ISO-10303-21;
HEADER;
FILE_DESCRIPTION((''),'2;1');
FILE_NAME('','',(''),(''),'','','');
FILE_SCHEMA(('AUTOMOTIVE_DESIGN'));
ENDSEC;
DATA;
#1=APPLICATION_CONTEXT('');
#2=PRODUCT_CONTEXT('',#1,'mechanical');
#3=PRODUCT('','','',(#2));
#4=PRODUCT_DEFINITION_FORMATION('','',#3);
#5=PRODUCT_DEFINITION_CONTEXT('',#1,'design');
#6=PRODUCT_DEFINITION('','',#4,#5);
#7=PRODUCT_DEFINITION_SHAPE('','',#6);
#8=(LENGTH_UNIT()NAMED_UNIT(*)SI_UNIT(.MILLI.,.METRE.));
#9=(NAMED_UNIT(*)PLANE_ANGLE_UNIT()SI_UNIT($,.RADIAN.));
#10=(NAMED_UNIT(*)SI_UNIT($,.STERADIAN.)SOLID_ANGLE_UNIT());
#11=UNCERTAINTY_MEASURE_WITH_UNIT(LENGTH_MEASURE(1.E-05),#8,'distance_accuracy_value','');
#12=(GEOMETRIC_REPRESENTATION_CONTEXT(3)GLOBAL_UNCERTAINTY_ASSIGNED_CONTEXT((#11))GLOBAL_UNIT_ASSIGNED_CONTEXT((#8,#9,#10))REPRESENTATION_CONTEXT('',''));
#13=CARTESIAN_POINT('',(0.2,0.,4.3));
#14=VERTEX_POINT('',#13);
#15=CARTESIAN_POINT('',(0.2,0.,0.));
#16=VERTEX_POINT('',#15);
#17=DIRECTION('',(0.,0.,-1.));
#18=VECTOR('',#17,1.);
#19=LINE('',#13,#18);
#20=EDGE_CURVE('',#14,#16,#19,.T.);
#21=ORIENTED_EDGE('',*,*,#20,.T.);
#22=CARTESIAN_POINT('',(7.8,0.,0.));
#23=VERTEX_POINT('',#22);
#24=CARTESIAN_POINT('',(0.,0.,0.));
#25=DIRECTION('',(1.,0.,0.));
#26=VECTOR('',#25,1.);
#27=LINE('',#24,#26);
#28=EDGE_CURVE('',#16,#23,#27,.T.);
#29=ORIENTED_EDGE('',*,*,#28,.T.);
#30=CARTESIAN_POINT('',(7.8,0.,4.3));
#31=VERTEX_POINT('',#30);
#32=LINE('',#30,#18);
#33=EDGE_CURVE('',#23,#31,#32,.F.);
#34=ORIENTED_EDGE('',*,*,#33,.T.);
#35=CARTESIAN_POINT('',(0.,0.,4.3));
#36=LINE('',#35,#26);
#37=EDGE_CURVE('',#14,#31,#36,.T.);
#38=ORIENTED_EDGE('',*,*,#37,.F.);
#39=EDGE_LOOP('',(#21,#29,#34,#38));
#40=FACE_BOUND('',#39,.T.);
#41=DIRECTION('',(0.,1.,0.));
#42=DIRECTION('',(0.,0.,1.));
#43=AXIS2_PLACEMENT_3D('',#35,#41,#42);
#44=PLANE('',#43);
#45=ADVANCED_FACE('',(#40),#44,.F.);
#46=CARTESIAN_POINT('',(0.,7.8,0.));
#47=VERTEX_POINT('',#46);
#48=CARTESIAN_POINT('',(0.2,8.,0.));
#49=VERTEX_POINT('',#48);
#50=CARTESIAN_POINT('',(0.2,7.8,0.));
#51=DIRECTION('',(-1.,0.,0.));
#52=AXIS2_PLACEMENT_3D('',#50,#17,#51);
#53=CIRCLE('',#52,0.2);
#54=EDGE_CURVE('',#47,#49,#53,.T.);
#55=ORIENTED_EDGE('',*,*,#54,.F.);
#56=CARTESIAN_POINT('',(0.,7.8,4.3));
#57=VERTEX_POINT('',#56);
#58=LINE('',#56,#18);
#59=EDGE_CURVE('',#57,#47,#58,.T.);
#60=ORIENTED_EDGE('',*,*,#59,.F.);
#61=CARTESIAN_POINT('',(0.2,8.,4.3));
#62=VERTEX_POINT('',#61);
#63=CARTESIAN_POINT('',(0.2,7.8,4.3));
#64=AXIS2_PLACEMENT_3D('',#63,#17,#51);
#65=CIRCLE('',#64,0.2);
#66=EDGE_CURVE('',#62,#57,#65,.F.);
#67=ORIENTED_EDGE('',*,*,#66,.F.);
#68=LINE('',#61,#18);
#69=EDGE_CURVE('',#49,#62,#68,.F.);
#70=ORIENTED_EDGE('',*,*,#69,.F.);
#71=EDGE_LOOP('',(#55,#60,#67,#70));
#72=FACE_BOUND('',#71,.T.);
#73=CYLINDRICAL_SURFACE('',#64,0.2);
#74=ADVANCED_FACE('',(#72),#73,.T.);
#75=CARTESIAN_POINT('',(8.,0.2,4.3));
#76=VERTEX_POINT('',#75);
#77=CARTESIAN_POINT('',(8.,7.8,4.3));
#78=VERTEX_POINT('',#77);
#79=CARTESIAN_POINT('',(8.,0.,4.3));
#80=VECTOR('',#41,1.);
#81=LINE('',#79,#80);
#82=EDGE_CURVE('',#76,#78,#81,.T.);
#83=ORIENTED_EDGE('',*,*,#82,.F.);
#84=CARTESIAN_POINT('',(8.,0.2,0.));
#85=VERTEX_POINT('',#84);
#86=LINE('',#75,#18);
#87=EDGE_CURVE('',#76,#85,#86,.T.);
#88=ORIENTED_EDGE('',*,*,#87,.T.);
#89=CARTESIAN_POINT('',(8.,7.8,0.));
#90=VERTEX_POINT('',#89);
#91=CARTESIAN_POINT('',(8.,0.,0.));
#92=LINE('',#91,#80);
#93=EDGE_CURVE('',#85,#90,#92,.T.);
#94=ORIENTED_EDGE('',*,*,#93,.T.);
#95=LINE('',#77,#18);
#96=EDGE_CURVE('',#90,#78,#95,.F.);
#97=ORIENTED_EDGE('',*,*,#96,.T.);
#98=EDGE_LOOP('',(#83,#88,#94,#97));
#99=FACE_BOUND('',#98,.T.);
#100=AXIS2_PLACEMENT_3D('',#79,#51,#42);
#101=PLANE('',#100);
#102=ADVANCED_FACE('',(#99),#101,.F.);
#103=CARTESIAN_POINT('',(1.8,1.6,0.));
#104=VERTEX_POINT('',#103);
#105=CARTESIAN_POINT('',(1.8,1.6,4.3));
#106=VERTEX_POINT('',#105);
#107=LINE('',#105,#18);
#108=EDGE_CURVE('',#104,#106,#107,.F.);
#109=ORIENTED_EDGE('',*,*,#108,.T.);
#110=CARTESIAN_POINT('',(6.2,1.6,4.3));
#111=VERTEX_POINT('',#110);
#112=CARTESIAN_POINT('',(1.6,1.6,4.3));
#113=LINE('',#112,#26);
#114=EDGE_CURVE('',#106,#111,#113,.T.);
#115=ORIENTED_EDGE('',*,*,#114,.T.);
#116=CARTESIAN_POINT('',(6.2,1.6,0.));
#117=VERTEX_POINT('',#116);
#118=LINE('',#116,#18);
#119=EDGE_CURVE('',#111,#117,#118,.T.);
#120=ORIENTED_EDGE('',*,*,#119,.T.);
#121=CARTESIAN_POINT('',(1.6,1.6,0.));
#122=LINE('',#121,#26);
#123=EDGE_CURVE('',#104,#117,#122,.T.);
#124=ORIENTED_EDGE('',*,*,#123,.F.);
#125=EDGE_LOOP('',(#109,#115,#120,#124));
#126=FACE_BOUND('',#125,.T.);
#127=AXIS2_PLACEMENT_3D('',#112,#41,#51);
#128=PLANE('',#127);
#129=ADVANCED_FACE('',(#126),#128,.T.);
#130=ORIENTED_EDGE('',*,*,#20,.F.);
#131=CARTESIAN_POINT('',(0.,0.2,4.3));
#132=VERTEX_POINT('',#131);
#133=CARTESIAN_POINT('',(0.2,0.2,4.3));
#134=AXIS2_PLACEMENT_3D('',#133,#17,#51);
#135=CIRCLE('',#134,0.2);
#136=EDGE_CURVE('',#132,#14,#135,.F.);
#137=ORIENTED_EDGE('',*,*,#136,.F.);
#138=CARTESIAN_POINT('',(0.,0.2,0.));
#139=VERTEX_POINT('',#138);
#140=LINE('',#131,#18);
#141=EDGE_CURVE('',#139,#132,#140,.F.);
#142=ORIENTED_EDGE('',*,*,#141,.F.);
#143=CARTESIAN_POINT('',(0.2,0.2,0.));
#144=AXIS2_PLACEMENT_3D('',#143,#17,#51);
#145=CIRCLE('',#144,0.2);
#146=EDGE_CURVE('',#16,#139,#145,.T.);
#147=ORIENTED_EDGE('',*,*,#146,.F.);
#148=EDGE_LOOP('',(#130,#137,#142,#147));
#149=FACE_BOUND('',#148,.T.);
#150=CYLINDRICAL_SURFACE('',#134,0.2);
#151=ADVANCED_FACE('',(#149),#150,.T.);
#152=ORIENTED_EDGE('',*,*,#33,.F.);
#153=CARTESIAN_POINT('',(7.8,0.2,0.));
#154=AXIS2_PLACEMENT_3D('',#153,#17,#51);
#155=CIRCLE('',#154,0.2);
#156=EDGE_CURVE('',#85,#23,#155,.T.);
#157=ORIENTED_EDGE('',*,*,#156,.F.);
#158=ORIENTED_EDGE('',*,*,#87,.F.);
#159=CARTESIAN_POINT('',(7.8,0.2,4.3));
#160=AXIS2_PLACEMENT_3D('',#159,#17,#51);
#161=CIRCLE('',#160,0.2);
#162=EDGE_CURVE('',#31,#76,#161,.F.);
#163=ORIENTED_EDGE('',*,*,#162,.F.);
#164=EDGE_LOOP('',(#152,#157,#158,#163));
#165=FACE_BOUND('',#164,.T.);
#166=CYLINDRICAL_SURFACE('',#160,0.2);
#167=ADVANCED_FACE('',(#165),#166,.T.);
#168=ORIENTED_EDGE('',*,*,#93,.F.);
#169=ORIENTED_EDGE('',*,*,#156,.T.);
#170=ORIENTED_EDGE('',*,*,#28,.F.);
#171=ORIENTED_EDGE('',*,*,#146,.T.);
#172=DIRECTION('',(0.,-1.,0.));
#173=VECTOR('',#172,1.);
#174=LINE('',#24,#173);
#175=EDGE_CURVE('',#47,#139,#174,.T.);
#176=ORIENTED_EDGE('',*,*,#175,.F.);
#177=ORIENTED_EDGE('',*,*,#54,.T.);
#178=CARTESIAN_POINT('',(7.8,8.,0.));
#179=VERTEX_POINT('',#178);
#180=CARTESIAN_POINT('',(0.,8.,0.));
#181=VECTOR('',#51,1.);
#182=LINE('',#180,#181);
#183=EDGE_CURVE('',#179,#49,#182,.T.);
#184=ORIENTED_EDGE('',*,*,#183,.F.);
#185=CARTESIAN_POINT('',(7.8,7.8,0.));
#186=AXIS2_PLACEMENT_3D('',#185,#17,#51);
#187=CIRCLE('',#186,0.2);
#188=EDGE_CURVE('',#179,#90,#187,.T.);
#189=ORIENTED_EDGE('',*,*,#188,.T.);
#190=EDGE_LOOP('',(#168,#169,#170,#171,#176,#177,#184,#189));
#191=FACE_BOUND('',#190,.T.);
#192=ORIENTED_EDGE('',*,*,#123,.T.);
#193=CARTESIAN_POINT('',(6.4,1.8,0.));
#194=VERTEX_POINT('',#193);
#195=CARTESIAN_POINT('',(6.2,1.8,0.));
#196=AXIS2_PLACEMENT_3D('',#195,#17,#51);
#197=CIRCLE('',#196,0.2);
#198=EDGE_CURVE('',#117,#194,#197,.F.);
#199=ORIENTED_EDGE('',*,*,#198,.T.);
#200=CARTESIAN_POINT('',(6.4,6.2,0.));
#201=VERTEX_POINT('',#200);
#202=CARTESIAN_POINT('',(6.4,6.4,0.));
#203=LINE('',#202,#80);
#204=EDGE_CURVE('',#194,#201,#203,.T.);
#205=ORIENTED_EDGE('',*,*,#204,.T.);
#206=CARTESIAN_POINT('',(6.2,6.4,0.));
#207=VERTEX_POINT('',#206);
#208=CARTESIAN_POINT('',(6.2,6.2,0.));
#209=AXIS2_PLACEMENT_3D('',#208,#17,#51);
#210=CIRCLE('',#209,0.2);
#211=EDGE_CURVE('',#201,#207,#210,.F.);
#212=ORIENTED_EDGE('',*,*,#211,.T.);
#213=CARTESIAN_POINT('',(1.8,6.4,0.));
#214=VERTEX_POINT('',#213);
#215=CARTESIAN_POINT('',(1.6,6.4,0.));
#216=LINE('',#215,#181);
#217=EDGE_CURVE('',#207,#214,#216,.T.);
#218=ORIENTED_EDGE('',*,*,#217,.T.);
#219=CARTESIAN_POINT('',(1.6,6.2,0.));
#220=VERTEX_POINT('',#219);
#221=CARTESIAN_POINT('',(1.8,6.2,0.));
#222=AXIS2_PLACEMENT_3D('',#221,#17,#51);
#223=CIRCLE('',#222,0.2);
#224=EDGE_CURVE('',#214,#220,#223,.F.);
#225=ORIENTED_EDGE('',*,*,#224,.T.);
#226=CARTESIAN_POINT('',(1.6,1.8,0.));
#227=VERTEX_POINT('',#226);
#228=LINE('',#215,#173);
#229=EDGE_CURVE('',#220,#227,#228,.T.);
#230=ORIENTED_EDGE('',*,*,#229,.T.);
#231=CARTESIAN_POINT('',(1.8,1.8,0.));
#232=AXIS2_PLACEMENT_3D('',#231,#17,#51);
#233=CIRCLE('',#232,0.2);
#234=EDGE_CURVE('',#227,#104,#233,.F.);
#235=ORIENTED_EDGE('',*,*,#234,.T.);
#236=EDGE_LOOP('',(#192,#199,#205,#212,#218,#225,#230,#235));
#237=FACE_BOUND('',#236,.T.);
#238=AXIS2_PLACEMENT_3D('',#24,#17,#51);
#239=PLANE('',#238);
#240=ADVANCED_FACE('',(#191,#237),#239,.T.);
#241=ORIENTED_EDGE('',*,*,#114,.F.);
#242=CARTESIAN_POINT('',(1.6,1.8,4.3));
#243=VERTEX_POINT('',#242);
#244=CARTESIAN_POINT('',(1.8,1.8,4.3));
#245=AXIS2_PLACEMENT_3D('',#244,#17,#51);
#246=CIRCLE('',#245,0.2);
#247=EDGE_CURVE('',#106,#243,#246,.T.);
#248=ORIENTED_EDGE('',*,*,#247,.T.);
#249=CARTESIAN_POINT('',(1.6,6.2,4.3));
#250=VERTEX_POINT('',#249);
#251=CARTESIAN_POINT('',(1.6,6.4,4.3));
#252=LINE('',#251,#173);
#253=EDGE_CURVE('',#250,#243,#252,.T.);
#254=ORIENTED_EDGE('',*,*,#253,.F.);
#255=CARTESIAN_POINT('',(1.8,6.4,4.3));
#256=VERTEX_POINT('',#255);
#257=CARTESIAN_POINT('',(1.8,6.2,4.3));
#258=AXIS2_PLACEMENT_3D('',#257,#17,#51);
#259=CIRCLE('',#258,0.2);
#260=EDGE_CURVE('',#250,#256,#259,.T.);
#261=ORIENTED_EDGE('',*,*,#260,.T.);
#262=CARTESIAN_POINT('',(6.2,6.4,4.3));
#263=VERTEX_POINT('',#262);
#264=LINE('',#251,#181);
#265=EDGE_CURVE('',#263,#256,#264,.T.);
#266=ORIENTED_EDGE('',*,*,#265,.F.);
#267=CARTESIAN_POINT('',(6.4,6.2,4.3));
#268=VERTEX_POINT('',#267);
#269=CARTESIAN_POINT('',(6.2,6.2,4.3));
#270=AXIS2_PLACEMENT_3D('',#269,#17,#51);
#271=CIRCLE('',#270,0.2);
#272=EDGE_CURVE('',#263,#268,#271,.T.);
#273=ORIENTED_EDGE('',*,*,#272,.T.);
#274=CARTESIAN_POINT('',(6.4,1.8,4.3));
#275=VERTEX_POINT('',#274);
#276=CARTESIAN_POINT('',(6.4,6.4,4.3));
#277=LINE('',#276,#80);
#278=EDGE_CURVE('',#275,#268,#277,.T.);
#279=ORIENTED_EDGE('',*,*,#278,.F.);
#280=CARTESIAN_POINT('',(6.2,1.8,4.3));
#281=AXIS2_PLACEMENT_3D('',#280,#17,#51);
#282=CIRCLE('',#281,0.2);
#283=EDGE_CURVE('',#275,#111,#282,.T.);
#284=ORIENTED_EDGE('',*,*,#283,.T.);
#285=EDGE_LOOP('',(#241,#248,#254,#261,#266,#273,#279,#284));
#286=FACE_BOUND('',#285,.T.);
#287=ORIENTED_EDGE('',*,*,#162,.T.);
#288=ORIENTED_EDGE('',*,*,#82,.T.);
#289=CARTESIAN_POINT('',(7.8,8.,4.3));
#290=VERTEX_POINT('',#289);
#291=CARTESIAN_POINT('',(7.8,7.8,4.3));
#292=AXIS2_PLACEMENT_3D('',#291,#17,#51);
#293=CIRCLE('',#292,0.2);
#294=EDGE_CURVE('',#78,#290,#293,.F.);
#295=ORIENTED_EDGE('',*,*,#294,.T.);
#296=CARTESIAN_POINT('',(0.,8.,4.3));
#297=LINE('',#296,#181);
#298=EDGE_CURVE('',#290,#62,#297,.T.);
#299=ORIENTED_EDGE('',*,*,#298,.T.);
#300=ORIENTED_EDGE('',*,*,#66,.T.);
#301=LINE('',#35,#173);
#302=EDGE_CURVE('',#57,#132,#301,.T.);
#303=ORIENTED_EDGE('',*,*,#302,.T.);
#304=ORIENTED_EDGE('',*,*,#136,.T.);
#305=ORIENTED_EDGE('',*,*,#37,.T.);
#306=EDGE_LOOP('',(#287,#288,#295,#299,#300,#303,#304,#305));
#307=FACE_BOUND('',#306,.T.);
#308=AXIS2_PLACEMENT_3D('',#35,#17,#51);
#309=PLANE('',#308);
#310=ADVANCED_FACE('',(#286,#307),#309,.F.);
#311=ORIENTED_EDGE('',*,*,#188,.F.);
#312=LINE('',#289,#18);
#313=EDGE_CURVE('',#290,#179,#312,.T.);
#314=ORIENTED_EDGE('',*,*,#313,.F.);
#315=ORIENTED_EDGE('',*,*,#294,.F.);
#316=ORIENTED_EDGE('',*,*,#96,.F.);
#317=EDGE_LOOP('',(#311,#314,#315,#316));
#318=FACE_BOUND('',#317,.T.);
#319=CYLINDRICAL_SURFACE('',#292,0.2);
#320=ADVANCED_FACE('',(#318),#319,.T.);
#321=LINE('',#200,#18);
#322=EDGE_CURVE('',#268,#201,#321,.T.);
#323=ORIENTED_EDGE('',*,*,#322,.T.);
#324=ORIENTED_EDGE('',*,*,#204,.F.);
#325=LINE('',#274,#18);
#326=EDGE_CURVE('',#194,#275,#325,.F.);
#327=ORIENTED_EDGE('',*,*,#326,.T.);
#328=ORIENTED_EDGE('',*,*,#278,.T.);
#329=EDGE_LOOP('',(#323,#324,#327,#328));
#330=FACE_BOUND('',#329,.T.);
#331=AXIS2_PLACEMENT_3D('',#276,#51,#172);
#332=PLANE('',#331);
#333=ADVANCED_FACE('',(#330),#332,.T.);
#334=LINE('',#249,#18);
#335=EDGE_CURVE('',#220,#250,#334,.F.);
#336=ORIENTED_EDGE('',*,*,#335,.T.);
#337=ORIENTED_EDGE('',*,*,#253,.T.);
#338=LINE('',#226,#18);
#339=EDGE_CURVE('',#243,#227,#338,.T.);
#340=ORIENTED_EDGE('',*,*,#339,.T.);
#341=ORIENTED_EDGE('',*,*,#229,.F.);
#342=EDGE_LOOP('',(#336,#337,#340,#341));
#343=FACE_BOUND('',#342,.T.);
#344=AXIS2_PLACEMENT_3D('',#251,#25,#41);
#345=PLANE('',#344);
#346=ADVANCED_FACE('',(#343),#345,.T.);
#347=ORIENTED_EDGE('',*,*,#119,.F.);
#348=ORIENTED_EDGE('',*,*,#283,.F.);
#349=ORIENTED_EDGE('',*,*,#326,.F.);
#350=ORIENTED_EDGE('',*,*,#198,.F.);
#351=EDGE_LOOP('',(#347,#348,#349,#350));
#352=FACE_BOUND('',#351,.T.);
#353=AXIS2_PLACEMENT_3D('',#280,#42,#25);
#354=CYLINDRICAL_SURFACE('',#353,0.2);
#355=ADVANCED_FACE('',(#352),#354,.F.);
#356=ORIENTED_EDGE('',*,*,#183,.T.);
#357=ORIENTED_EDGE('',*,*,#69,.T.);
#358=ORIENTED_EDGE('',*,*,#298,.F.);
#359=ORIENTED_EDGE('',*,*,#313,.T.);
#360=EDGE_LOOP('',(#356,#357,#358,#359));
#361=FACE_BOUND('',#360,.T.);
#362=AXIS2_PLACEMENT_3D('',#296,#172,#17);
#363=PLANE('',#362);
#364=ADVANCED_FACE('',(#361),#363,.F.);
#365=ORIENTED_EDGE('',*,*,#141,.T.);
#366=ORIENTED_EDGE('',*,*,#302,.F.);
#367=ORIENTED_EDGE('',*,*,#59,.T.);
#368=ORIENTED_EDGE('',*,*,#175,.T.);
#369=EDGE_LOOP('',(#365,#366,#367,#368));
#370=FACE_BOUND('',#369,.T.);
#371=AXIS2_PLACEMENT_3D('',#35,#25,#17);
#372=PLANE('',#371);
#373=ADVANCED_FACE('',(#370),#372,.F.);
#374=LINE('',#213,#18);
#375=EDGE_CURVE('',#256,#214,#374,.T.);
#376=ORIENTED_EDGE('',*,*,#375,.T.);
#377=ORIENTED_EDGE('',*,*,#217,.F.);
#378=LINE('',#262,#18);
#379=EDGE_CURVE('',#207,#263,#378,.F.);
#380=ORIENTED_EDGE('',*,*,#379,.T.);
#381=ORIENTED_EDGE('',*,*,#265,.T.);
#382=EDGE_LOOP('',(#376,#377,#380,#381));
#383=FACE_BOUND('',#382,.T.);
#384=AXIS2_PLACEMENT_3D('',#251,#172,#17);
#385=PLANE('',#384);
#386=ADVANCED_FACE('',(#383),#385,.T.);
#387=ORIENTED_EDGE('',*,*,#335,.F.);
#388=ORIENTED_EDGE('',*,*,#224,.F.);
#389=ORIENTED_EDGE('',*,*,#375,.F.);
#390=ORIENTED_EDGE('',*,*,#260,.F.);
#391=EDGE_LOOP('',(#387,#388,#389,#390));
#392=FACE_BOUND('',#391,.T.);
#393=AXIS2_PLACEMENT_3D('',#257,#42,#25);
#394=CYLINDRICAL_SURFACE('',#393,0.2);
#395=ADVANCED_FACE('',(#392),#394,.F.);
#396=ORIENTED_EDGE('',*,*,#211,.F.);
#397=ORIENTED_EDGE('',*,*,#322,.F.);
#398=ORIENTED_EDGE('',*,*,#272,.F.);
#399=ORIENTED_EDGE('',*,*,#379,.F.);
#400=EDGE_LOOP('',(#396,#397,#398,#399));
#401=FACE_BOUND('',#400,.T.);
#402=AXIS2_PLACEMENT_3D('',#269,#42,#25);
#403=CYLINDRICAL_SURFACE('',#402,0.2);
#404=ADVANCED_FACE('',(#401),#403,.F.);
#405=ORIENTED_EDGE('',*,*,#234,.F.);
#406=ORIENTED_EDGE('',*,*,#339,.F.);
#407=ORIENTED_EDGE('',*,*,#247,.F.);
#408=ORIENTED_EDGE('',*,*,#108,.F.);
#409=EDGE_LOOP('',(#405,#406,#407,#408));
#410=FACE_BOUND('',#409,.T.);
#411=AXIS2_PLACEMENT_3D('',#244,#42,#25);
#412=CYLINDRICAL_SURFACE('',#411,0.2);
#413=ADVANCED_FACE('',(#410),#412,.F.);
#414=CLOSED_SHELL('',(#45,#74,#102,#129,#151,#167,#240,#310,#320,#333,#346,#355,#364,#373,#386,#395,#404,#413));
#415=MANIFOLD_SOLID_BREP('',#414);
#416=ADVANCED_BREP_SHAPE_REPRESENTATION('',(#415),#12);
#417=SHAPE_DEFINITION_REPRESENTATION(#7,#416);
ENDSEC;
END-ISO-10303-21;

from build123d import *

# Parameters (mm, degrees)
SKETCH1_W           = 8
SKETCH1_H           = 8
SKETCH1_W_2         = 4.8
SKETCH1_H_2         = 4.8
BOSS_EXTRUDE1_DEPTH = 4.3
FILLET1_R           = 0.2


with BuildPart() as part:
    # Sketch1 → Boss-Extrude1 (new body)
    with BuildSketch(Plane.XY):
        with Locations((4, 4)):
            Rectangle(SKETCH1_W, SKETCH1_H)
        with Locations((4, 4)):
            Rectangle(SKETCH1_W_2, SKETCH1_H_2, mode=Mode.SUBTRACT)
    extrude(amount=BOSS_EXTRUDE1_DEPTH)

    # Fillet1
    fillet1_edges = [part.edges().sort_by_distance(p)[0] for p in [
        (1.6, 6.4, 2.15),
        (1.6, 1.6, 2.15),
        (6.4, 1.6, 2.15),
        (6.4, 6.4, 2.15),
        (0, 8, 2.15),
        (8, 8, 2.15),
        (8, 0, 2.15),
        (0, 0, 2.15),
    ]]
    fillet(fillet1_edges, radius=FILLET1_R)


solid = part.part
